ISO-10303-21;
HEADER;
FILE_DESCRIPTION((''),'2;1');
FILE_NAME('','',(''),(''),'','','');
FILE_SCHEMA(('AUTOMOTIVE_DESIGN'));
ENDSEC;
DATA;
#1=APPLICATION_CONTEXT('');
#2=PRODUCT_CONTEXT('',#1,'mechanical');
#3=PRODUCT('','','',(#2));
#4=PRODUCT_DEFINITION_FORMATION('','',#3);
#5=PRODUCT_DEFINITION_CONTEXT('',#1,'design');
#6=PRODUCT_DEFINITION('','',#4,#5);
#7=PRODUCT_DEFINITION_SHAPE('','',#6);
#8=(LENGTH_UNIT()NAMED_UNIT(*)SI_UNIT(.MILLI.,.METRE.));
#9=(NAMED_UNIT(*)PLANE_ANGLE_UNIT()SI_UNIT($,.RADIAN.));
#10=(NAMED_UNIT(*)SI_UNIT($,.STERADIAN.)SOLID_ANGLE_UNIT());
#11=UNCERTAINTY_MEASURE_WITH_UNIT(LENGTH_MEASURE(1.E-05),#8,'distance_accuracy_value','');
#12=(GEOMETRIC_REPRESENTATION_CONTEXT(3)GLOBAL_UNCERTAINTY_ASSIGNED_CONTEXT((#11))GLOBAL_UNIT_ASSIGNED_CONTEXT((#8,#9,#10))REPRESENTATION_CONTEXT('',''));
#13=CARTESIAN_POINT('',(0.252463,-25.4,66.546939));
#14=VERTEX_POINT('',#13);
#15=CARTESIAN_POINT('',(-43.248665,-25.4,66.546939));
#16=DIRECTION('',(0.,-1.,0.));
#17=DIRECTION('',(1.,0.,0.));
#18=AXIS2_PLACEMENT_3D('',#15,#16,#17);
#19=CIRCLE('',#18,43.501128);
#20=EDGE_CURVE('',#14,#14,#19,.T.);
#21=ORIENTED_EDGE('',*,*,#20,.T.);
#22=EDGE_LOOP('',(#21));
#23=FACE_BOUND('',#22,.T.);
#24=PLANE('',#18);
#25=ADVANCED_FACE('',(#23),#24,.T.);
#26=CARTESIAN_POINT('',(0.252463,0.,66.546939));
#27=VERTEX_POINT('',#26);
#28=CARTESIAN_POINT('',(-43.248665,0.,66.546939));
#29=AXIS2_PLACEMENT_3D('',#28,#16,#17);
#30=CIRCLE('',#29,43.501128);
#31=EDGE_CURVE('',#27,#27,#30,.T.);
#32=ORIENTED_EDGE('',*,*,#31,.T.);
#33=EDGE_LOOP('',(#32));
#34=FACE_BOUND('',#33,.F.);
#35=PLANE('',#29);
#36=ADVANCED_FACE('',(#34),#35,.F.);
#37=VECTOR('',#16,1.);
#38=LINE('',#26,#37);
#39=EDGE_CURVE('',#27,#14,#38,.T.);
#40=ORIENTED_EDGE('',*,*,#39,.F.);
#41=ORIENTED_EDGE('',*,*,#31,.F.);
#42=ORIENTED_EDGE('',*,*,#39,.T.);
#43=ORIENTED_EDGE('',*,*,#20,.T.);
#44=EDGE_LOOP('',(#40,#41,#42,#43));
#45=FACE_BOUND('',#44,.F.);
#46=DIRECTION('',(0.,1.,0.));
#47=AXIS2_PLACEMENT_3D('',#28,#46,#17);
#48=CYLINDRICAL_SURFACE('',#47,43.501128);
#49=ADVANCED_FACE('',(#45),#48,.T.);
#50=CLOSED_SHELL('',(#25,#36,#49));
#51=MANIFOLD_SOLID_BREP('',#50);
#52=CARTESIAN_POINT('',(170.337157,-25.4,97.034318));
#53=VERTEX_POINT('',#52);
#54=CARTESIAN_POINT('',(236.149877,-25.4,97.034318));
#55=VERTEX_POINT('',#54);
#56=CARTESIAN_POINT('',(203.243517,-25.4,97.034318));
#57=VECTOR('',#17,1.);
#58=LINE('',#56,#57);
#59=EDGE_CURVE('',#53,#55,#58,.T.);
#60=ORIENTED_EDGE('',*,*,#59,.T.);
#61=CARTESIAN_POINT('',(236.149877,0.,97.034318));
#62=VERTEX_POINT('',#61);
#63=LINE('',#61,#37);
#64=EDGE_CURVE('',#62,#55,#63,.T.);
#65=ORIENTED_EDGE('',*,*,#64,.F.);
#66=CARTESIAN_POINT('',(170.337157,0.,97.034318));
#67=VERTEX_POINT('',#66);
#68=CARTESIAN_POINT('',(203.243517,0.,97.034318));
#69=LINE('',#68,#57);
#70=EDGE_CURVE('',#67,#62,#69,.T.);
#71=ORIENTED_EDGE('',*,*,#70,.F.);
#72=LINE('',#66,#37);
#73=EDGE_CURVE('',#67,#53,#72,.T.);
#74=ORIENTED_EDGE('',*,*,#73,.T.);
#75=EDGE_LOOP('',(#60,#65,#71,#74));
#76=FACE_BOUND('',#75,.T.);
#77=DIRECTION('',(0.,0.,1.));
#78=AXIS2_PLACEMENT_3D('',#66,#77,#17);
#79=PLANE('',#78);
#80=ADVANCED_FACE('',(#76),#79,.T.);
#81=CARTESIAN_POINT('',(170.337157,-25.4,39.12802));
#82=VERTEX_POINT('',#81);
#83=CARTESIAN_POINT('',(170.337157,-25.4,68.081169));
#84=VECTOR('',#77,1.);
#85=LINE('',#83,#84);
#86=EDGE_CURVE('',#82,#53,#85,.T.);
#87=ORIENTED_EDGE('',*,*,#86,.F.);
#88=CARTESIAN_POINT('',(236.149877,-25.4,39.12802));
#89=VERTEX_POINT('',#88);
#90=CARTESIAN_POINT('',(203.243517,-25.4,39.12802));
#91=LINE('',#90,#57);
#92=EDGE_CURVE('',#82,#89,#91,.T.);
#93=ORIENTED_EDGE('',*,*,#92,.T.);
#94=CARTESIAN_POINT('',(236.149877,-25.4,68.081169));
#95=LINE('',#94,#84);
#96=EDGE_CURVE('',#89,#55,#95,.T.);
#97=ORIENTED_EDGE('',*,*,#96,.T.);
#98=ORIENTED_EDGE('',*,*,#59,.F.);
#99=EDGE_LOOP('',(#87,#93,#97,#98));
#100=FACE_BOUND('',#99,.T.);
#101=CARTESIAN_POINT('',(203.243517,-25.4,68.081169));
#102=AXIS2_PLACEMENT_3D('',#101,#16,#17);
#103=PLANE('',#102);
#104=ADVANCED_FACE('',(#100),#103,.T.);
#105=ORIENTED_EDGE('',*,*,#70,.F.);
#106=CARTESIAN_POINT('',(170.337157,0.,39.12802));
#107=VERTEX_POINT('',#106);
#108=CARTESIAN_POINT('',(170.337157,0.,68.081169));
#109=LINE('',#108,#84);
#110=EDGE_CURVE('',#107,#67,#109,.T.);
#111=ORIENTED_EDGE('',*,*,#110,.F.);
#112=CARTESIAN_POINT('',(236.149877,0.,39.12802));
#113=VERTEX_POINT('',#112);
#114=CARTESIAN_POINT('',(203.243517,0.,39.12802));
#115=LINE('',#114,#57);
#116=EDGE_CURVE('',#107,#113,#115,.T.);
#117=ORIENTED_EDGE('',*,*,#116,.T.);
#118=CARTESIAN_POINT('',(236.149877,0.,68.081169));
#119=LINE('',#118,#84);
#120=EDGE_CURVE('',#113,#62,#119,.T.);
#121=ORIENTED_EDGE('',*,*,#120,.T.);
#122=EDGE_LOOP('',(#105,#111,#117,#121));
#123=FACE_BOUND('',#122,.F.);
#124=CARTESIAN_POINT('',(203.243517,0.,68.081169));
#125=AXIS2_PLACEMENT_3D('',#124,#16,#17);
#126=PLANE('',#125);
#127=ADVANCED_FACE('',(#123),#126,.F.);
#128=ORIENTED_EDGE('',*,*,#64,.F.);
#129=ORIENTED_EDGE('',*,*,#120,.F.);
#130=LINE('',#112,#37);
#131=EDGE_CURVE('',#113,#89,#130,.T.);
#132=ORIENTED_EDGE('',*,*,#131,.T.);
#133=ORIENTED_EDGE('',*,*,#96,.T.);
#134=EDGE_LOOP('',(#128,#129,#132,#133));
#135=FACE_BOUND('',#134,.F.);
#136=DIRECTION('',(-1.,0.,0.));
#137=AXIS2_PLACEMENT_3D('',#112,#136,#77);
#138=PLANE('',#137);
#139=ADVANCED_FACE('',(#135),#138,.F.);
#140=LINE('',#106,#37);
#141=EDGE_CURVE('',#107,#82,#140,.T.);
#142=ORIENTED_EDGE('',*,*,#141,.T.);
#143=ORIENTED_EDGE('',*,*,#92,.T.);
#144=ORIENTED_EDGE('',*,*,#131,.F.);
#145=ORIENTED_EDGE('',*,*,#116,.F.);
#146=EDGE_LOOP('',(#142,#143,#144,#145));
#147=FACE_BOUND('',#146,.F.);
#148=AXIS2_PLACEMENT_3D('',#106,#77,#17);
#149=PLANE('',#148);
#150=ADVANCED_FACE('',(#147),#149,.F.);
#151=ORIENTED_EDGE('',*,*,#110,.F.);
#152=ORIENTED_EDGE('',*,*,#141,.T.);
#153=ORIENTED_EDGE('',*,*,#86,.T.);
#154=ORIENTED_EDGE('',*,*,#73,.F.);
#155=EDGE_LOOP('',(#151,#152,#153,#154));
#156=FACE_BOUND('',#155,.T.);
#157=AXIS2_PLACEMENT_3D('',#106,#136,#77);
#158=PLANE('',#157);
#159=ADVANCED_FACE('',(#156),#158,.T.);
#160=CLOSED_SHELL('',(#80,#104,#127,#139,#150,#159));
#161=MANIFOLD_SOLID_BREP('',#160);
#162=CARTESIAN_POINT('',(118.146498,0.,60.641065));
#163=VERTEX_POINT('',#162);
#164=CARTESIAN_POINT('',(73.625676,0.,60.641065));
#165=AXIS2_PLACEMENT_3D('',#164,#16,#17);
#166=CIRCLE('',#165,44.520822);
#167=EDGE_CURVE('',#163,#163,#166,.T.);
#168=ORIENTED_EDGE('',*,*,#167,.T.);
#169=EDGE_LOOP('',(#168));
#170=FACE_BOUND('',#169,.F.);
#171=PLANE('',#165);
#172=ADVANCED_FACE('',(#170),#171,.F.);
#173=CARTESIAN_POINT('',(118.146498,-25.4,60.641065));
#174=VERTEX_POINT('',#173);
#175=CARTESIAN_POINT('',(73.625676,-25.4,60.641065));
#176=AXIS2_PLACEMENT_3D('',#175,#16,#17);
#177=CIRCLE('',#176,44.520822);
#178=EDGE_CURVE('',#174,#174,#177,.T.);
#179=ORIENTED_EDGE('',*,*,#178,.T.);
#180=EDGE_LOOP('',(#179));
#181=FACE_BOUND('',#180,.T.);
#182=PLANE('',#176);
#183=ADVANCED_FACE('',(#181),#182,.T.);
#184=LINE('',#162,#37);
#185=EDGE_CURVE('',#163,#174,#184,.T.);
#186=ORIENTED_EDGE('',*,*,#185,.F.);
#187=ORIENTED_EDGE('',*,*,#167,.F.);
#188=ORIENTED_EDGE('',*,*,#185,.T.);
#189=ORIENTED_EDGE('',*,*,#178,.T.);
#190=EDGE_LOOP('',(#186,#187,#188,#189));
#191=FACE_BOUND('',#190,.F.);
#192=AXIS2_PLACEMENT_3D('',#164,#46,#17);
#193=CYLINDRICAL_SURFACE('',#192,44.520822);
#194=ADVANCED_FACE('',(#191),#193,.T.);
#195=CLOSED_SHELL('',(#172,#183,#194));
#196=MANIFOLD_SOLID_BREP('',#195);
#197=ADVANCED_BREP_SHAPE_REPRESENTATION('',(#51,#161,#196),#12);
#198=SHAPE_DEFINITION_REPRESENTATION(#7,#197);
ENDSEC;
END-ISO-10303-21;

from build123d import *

# Parameters (mm, degrees)
F0_R     = 43.501128
F0_R_2   = 44.520822
F1_DEPTH = 25.4
F2_W     = 65.81272
F2_H     = 57.906297
F3_DEPTH = 25.4


with BuildPart() as f1:
    # F0 (on Front) → F1 (new body)
    with BuildSketch(Plane.XZ):
        with Locations((-43.248665, 66.546939)):
            Circle(F0_R)
        with Locations((73.625676, 60.641065)):
            Circle(F0_R_2)
    extrude(amount=F1_DEPTH)


with BuildPart() as f3:
    # F2 (on Front) → F3 (new body)
    with BuildSketch(Plane.XZ):
        with Locations((203.243517, 68.081169)):
            Rectangle(F2_W, F2_H)
    extrude(amount=F3_DEPTH)


solid = Compound([f1.part, f3.part])
